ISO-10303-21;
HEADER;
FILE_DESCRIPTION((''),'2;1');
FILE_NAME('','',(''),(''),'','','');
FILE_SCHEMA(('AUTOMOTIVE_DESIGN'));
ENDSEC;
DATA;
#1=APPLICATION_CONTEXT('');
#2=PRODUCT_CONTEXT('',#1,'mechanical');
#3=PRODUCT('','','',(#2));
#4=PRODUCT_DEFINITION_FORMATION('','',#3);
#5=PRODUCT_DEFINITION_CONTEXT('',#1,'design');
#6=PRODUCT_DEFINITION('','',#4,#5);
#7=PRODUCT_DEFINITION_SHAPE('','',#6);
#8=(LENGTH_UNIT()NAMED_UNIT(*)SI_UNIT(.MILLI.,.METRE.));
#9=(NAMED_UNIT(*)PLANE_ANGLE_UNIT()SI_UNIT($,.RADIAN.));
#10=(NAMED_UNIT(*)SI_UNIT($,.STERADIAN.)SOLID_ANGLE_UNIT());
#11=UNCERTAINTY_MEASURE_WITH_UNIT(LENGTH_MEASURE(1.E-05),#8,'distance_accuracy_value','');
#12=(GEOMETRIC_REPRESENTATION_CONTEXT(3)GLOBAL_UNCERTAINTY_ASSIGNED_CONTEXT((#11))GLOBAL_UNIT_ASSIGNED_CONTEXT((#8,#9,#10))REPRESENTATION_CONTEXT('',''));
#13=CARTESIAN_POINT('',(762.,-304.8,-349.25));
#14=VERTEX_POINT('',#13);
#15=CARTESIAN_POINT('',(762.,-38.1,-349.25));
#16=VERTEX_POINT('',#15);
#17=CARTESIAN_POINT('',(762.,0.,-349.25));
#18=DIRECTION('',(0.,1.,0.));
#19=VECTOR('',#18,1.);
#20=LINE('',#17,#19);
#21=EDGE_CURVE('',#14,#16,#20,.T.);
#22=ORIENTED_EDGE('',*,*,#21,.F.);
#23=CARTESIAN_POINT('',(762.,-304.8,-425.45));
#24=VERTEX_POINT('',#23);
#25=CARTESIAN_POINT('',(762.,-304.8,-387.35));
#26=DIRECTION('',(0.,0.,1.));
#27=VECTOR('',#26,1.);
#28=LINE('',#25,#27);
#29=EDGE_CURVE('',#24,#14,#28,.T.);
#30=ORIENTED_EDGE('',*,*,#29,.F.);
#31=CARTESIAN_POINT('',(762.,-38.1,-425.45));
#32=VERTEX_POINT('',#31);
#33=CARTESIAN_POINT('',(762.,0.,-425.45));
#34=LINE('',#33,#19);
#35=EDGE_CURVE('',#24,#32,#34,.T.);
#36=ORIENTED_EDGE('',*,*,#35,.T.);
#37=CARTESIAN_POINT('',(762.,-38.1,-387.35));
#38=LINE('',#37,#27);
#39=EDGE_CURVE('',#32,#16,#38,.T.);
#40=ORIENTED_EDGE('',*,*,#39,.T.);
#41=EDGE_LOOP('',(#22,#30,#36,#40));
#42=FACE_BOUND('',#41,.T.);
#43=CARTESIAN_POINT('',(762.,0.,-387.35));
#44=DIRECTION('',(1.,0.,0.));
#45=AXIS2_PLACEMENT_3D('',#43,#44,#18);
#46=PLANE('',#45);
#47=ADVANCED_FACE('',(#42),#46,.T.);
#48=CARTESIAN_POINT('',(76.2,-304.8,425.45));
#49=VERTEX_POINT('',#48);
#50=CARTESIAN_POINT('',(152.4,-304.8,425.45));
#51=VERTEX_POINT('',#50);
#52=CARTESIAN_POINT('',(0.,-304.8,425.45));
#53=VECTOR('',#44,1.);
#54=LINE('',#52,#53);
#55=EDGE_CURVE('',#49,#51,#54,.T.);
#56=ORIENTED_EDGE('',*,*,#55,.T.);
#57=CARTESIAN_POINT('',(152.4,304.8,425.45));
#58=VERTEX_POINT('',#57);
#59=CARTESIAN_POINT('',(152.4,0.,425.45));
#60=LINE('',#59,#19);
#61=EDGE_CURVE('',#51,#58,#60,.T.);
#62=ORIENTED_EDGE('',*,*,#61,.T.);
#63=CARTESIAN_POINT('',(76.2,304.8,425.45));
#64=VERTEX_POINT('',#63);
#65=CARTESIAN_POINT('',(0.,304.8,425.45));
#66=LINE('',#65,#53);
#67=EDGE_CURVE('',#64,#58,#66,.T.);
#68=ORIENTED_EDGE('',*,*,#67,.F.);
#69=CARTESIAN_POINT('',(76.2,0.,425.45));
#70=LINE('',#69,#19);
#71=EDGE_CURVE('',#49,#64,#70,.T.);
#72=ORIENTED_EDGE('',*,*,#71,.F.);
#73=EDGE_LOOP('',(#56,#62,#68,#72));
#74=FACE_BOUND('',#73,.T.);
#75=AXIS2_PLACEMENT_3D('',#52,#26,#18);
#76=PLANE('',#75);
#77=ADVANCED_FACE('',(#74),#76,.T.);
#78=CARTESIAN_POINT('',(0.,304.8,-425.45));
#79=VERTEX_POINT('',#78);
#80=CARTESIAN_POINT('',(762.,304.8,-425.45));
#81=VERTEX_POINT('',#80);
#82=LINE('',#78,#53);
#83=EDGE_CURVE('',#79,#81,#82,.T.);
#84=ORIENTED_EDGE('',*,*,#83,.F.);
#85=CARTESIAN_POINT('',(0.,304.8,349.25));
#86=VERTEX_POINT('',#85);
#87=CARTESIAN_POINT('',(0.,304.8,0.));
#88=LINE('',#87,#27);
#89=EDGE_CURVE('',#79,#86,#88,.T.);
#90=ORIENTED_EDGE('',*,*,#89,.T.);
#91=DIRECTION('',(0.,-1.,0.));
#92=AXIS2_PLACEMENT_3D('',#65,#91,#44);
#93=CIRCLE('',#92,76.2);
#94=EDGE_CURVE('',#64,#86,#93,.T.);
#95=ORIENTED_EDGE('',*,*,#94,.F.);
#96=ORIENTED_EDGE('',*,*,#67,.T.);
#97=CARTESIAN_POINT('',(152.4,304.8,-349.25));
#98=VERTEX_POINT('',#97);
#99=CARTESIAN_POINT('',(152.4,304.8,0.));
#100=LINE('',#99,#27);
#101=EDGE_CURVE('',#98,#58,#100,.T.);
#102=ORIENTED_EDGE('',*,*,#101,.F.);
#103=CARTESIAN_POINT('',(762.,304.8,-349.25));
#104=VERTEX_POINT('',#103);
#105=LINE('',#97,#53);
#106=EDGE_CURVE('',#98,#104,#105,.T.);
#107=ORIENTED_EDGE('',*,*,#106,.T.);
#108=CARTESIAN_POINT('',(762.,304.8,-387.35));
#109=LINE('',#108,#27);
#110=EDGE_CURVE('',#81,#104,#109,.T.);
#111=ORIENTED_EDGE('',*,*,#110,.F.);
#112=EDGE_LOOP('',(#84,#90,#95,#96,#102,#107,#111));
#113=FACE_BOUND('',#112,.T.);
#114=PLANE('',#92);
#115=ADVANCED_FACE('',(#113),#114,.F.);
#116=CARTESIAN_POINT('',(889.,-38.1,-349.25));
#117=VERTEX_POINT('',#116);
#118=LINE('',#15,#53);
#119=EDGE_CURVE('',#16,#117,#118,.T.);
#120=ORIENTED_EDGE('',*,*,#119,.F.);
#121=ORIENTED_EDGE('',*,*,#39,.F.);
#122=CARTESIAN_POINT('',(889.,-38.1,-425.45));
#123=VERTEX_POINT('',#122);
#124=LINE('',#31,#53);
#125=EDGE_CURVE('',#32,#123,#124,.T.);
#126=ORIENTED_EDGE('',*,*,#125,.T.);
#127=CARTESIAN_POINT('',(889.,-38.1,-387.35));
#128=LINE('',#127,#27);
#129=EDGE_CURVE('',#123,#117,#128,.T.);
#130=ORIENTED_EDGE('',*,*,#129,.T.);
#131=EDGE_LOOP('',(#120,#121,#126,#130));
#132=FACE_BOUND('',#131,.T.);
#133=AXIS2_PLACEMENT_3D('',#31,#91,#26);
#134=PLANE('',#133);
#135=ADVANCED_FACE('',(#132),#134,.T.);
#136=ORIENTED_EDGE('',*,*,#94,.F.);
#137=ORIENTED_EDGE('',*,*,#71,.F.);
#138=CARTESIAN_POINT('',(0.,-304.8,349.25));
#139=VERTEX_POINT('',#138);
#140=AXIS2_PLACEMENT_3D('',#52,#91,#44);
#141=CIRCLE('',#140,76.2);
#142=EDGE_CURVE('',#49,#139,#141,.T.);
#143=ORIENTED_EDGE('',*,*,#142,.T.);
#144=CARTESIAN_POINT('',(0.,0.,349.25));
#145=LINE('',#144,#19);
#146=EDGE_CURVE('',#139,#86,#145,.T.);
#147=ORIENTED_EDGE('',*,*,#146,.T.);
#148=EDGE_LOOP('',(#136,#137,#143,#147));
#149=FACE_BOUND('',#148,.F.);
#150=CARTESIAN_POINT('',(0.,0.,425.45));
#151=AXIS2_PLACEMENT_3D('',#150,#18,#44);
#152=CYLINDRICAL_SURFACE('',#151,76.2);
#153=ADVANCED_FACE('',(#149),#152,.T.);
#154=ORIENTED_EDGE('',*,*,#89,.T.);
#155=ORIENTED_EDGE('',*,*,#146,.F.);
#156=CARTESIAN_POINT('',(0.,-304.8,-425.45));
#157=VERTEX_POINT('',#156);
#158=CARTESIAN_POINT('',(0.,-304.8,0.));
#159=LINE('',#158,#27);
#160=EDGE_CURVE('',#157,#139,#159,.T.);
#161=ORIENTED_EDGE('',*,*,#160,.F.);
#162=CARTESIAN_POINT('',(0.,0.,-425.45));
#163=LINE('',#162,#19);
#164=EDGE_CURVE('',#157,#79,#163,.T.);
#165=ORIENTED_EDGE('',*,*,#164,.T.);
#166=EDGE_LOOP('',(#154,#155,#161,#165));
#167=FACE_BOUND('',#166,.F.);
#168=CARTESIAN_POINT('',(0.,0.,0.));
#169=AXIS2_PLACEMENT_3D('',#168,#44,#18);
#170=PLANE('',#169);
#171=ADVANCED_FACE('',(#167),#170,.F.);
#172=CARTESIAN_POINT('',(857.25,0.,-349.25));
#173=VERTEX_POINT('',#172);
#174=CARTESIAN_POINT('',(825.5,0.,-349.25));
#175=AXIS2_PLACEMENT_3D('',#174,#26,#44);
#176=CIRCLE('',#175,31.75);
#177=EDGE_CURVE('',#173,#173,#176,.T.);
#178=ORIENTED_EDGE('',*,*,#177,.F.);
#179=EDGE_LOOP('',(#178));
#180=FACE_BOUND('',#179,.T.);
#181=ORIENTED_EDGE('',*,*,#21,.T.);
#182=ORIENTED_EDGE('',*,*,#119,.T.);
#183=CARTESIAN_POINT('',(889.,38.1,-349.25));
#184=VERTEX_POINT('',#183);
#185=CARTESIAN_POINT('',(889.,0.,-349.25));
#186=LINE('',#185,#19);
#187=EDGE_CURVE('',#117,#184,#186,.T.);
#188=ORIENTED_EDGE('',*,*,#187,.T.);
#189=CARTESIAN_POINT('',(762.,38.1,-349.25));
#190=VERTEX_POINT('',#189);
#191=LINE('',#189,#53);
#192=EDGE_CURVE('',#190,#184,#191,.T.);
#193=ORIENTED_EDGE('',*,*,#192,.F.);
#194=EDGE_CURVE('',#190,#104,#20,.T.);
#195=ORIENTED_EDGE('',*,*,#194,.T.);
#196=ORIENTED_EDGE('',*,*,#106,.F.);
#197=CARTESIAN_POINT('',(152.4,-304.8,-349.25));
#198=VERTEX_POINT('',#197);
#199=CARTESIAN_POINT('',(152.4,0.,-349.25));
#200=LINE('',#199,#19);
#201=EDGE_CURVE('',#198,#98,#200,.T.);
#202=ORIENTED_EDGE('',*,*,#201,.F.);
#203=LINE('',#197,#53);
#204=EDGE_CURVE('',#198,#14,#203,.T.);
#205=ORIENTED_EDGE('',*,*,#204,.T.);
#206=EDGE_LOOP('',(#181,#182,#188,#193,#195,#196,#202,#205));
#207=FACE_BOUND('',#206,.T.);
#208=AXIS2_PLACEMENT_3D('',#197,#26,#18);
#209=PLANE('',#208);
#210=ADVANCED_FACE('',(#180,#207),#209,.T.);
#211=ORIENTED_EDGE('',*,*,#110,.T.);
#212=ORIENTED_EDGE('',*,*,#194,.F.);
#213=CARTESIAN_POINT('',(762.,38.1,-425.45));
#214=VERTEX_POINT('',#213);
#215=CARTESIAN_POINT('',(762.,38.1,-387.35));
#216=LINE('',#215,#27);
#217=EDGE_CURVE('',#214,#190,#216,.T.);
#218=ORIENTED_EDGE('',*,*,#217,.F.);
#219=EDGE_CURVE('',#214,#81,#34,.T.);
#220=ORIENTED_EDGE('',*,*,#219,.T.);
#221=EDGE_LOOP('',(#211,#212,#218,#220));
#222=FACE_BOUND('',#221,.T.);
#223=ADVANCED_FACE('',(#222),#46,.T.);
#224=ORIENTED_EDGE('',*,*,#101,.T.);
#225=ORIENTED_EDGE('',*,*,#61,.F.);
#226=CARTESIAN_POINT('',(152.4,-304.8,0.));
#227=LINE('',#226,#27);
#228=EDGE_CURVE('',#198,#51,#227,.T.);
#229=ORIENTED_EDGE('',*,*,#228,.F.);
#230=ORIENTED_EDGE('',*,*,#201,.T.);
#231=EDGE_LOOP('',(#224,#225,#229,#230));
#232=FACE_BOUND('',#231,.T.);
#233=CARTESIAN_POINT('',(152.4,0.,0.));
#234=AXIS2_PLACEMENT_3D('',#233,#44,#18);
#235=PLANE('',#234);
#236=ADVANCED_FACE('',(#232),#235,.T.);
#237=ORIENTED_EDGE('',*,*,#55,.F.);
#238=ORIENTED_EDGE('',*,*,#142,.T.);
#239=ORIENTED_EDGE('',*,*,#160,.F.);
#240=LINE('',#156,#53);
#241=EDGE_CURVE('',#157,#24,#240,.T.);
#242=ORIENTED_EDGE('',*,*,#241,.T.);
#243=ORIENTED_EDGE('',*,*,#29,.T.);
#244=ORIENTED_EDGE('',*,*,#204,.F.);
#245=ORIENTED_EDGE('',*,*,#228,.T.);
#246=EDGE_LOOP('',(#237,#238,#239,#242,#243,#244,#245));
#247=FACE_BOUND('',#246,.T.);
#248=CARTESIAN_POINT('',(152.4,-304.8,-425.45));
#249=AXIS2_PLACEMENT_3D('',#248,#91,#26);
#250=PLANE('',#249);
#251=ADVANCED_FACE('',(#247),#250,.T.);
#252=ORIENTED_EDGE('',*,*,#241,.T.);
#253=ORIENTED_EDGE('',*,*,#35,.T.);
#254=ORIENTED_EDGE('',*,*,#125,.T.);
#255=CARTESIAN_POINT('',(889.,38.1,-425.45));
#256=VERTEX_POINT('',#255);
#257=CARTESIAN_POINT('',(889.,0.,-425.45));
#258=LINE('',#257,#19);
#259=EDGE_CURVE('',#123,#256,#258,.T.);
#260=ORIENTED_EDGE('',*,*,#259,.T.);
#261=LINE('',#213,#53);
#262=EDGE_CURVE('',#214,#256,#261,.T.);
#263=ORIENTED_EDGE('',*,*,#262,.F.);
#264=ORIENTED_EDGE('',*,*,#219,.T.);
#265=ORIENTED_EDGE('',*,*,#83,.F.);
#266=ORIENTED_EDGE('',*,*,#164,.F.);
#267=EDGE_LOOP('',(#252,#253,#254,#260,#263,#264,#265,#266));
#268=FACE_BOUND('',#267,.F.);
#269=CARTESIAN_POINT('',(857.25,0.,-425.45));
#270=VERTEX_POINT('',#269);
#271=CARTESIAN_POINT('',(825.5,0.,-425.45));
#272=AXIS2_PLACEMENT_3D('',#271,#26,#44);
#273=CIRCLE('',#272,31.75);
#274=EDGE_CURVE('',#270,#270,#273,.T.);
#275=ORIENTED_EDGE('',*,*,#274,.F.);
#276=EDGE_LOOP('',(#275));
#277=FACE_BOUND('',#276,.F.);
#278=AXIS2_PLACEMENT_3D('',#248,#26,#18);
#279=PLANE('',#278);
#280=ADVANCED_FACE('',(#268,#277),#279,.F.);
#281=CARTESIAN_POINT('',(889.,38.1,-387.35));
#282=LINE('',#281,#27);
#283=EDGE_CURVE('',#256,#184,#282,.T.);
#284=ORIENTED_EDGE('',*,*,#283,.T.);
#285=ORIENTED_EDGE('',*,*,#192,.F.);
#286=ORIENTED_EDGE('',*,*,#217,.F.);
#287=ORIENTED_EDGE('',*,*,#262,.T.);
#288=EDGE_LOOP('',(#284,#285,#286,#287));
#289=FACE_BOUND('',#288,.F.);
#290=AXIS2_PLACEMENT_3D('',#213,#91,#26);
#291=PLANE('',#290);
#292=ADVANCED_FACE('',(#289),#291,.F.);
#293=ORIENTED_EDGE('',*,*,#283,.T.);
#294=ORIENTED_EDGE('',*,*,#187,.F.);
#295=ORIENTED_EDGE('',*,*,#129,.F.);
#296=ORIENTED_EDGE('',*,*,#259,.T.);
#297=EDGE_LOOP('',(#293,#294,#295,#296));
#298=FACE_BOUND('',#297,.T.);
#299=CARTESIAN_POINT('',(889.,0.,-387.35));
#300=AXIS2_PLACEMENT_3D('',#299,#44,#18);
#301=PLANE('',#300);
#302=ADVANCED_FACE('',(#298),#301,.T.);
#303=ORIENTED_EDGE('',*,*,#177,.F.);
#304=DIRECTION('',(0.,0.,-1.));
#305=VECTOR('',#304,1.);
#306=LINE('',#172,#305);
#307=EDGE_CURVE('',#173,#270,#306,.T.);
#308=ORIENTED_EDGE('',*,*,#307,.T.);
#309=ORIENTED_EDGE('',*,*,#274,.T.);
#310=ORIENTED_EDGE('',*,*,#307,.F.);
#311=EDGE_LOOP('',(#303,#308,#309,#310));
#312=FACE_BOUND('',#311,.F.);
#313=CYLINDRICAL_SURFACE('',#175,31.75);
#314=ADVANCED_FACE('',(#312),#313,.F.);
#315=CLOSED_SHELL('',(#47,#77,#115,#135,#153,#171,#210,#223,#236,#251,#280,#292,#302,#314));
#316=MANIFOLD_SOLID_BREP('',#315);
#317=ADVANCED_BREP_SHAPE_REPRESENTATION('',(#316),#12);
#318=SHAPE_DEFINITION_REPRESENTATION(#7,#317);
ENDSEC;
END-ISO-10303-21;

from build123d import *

# Parameters (mm, degrees)
F0_W     = 609.6
F0_H     = 850.9
F1_DEPTH = 152.4
F2_W     = 609.6
F2_H     = 76.2
F3_DEPTH = 609.6
F4_W     = 76.2
F4_H     = 76.2
F5_DEPTH = 127
F6_R     = 31.75
F7_DEPTH = 137.16
F8_W     = 76.2
F8_H     = 609.6


with BuildPart() as f1:
    # F0 (on Right) → F1 (new body)
    with BuildSketch(Plane.YZ):
        Rectangle(F0_W, F0_H)
    extrude(amount=F1_DEPTH)

    # F2 (on face) → F3 (join)
    with BuildSketch(Plane.YZ.offset(152.4)):
        with Locations((0, -387.35)):
            Rectangle(F2_W, F2_H)
    extrude(amount=F3_DEPTH)

    # F4 (on face) → F5 (join)
    with BuildSketch(Plane.YZ.offset(762)):
        with Locations((0, -387.35)):
            Rectangle(F4_W, F4_H)
    extrude(amount=F5_DEPTH)

    # F6 (on face) → F7 (cut)
    with BuildSketch(Plane.XY.offset(-349.25)):
        with Locations((825.5, 0)):
            Circle(F6_R)
    extrude(amount=-F7_DEPTH, mode=Mode.SUBTRACT)

    # F8 (on face) → F9 (revolve)
    with BuildSketch(Plane.XY.offset(425.45)):
        with Locations((38.1, 0)):
            Rectangle(F8_W, F8_H)
    revolve(axis=Axis((0, 0, 425.45), (0, -1, 0)))


solid = f1.part
